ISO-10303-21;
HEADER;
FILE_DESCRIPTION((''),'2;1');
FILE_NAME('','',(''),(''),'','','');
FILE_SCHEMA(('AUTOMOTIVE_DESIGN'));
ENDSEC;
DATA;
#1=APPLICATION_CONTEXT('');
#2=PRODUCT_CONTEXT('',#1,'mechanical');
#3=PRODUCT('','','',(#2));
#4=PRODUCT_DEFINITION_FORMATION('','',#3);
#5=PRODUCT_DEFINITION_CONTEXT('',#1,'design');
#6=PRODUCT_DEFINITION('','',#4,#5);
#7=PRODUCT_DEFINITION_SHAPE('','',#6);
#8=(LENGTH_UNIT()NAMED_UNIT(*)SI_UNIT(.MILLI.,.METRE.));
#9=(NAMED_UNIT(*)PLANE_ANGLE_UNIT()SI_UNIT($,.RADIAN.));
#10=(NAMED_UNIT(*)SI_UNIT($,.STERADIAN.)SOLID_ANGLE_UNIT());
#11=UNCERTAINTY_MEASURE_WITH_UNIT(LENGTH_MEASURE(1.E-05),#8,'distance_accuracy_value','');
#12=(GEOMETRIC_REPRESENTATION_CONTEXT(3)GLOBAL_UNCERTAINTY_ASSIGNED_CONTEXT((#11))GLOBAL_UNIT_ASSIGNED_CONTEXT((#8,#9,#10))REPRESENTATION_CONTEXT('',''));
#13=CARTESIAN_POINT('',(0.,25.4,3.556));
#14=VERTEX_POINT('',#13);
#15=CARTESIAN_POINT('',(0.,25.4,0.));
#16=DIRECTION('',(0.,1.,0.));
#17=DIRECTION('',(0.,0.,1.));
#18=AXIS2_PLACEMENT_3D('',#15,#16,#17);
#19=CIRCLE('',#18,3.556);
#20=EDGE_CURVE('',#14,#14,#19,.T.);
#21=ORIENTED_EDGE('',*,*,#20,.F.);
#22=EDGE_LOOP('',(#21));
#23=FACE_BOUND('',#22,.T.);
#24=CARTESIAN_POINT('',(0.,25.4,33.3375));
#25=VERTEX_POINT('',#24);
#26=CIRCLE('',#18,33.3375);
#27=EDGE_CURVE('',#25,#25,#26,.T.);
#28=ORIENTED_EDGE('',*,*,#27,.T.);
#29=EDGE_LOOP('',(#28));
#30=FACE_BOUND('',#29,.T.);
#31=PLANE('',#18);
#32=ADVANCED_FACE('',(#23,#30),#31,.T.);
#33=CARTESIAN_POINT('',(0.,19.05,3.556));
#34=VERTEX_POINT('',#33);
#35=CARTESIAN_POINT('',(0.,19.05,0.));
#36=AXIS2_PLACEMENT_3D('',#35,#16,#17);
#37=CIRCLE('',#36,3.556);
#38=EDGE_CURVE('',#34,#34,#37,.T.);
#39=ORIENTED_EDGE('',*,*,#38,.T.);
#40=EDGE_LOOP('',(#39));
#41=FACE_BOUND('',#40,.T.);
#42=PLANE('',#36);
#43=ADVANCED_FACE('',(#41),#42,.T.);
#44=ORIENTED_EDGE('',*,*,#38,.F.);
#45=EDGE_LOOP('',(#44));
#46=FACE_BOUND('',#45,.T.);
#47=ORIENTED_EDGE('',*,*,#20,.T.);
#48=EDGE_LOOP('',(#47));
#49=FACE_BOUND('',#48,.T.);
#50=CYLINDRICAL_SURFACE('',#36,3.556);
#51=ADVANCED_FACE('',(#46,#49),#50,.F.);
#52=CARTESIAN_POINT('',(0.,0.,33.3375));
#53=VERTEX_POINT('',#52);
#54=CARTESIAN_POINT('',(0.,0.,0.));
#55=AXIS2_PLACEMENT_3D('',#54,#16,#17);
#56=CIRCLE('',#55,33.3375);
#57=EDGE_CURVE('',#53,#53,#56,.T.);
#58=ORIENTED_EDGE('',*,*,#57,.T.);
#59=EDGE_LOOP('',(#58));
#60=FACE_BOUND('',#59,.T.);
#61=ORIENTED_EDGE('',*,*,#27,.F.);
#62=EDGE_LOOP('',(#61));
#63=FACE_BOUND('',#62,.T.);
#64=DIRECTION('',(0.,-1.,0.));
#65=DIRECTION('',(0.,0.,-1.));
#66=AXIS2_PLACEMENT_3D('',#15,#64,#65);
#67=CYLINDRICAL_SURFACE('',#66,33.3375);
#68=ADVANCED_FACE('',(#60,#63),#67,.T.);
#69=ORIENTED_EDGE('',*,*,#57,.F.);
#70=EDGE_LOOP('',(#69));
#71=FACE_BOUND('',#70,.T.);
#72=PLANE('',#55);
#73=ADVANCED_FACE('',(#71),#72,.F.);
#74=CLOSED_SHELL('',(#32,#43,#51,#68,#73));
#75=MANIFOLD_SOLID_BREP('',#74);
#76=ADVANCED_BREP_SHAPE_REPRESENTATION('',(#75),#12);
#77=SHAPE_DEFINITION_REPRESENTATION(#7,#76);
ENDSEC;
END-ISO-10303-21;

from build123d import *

# Parameters (mm, degrees)
SKETCH1_R           = 33.3375
BOSS_EXTRUDE1_DEPTH = 25.4
SKETCH2_R           = 3.556
CUT_EXTRUDE1_DEPTH  = 6.35


with BuildPart() as part:
    # Sketch1 → Boss-Extrude1 (new body)
    with BuildSketch(Plane(origin=(0, 0, 0), x_dir=(1, 0, 0), z_dir=(0, 1, 0))):
        with Locations(Location((0, 0, 0), (0, 0, 270))):
            Circle(SKETCH1_R)
    extrude(amount=BOSS_EXTRUDE1_DEPTH)

    # Sketch2 → Cut-Extrude1 (cut)
    with BuildSketch(Plane(origin=(0, 25.4, 0), x_dir=(1, 0, 0), z_dir=(0, 1, 0))):
        with Locations(Location((0, 0, 0), (0, 0, 270))):
            Circle(SKETCH2_R)
    extrude(amount=-CUT_EXTRUDE1_DEPTH, mode=Mode.SUBTRACT)


solid = part.part
